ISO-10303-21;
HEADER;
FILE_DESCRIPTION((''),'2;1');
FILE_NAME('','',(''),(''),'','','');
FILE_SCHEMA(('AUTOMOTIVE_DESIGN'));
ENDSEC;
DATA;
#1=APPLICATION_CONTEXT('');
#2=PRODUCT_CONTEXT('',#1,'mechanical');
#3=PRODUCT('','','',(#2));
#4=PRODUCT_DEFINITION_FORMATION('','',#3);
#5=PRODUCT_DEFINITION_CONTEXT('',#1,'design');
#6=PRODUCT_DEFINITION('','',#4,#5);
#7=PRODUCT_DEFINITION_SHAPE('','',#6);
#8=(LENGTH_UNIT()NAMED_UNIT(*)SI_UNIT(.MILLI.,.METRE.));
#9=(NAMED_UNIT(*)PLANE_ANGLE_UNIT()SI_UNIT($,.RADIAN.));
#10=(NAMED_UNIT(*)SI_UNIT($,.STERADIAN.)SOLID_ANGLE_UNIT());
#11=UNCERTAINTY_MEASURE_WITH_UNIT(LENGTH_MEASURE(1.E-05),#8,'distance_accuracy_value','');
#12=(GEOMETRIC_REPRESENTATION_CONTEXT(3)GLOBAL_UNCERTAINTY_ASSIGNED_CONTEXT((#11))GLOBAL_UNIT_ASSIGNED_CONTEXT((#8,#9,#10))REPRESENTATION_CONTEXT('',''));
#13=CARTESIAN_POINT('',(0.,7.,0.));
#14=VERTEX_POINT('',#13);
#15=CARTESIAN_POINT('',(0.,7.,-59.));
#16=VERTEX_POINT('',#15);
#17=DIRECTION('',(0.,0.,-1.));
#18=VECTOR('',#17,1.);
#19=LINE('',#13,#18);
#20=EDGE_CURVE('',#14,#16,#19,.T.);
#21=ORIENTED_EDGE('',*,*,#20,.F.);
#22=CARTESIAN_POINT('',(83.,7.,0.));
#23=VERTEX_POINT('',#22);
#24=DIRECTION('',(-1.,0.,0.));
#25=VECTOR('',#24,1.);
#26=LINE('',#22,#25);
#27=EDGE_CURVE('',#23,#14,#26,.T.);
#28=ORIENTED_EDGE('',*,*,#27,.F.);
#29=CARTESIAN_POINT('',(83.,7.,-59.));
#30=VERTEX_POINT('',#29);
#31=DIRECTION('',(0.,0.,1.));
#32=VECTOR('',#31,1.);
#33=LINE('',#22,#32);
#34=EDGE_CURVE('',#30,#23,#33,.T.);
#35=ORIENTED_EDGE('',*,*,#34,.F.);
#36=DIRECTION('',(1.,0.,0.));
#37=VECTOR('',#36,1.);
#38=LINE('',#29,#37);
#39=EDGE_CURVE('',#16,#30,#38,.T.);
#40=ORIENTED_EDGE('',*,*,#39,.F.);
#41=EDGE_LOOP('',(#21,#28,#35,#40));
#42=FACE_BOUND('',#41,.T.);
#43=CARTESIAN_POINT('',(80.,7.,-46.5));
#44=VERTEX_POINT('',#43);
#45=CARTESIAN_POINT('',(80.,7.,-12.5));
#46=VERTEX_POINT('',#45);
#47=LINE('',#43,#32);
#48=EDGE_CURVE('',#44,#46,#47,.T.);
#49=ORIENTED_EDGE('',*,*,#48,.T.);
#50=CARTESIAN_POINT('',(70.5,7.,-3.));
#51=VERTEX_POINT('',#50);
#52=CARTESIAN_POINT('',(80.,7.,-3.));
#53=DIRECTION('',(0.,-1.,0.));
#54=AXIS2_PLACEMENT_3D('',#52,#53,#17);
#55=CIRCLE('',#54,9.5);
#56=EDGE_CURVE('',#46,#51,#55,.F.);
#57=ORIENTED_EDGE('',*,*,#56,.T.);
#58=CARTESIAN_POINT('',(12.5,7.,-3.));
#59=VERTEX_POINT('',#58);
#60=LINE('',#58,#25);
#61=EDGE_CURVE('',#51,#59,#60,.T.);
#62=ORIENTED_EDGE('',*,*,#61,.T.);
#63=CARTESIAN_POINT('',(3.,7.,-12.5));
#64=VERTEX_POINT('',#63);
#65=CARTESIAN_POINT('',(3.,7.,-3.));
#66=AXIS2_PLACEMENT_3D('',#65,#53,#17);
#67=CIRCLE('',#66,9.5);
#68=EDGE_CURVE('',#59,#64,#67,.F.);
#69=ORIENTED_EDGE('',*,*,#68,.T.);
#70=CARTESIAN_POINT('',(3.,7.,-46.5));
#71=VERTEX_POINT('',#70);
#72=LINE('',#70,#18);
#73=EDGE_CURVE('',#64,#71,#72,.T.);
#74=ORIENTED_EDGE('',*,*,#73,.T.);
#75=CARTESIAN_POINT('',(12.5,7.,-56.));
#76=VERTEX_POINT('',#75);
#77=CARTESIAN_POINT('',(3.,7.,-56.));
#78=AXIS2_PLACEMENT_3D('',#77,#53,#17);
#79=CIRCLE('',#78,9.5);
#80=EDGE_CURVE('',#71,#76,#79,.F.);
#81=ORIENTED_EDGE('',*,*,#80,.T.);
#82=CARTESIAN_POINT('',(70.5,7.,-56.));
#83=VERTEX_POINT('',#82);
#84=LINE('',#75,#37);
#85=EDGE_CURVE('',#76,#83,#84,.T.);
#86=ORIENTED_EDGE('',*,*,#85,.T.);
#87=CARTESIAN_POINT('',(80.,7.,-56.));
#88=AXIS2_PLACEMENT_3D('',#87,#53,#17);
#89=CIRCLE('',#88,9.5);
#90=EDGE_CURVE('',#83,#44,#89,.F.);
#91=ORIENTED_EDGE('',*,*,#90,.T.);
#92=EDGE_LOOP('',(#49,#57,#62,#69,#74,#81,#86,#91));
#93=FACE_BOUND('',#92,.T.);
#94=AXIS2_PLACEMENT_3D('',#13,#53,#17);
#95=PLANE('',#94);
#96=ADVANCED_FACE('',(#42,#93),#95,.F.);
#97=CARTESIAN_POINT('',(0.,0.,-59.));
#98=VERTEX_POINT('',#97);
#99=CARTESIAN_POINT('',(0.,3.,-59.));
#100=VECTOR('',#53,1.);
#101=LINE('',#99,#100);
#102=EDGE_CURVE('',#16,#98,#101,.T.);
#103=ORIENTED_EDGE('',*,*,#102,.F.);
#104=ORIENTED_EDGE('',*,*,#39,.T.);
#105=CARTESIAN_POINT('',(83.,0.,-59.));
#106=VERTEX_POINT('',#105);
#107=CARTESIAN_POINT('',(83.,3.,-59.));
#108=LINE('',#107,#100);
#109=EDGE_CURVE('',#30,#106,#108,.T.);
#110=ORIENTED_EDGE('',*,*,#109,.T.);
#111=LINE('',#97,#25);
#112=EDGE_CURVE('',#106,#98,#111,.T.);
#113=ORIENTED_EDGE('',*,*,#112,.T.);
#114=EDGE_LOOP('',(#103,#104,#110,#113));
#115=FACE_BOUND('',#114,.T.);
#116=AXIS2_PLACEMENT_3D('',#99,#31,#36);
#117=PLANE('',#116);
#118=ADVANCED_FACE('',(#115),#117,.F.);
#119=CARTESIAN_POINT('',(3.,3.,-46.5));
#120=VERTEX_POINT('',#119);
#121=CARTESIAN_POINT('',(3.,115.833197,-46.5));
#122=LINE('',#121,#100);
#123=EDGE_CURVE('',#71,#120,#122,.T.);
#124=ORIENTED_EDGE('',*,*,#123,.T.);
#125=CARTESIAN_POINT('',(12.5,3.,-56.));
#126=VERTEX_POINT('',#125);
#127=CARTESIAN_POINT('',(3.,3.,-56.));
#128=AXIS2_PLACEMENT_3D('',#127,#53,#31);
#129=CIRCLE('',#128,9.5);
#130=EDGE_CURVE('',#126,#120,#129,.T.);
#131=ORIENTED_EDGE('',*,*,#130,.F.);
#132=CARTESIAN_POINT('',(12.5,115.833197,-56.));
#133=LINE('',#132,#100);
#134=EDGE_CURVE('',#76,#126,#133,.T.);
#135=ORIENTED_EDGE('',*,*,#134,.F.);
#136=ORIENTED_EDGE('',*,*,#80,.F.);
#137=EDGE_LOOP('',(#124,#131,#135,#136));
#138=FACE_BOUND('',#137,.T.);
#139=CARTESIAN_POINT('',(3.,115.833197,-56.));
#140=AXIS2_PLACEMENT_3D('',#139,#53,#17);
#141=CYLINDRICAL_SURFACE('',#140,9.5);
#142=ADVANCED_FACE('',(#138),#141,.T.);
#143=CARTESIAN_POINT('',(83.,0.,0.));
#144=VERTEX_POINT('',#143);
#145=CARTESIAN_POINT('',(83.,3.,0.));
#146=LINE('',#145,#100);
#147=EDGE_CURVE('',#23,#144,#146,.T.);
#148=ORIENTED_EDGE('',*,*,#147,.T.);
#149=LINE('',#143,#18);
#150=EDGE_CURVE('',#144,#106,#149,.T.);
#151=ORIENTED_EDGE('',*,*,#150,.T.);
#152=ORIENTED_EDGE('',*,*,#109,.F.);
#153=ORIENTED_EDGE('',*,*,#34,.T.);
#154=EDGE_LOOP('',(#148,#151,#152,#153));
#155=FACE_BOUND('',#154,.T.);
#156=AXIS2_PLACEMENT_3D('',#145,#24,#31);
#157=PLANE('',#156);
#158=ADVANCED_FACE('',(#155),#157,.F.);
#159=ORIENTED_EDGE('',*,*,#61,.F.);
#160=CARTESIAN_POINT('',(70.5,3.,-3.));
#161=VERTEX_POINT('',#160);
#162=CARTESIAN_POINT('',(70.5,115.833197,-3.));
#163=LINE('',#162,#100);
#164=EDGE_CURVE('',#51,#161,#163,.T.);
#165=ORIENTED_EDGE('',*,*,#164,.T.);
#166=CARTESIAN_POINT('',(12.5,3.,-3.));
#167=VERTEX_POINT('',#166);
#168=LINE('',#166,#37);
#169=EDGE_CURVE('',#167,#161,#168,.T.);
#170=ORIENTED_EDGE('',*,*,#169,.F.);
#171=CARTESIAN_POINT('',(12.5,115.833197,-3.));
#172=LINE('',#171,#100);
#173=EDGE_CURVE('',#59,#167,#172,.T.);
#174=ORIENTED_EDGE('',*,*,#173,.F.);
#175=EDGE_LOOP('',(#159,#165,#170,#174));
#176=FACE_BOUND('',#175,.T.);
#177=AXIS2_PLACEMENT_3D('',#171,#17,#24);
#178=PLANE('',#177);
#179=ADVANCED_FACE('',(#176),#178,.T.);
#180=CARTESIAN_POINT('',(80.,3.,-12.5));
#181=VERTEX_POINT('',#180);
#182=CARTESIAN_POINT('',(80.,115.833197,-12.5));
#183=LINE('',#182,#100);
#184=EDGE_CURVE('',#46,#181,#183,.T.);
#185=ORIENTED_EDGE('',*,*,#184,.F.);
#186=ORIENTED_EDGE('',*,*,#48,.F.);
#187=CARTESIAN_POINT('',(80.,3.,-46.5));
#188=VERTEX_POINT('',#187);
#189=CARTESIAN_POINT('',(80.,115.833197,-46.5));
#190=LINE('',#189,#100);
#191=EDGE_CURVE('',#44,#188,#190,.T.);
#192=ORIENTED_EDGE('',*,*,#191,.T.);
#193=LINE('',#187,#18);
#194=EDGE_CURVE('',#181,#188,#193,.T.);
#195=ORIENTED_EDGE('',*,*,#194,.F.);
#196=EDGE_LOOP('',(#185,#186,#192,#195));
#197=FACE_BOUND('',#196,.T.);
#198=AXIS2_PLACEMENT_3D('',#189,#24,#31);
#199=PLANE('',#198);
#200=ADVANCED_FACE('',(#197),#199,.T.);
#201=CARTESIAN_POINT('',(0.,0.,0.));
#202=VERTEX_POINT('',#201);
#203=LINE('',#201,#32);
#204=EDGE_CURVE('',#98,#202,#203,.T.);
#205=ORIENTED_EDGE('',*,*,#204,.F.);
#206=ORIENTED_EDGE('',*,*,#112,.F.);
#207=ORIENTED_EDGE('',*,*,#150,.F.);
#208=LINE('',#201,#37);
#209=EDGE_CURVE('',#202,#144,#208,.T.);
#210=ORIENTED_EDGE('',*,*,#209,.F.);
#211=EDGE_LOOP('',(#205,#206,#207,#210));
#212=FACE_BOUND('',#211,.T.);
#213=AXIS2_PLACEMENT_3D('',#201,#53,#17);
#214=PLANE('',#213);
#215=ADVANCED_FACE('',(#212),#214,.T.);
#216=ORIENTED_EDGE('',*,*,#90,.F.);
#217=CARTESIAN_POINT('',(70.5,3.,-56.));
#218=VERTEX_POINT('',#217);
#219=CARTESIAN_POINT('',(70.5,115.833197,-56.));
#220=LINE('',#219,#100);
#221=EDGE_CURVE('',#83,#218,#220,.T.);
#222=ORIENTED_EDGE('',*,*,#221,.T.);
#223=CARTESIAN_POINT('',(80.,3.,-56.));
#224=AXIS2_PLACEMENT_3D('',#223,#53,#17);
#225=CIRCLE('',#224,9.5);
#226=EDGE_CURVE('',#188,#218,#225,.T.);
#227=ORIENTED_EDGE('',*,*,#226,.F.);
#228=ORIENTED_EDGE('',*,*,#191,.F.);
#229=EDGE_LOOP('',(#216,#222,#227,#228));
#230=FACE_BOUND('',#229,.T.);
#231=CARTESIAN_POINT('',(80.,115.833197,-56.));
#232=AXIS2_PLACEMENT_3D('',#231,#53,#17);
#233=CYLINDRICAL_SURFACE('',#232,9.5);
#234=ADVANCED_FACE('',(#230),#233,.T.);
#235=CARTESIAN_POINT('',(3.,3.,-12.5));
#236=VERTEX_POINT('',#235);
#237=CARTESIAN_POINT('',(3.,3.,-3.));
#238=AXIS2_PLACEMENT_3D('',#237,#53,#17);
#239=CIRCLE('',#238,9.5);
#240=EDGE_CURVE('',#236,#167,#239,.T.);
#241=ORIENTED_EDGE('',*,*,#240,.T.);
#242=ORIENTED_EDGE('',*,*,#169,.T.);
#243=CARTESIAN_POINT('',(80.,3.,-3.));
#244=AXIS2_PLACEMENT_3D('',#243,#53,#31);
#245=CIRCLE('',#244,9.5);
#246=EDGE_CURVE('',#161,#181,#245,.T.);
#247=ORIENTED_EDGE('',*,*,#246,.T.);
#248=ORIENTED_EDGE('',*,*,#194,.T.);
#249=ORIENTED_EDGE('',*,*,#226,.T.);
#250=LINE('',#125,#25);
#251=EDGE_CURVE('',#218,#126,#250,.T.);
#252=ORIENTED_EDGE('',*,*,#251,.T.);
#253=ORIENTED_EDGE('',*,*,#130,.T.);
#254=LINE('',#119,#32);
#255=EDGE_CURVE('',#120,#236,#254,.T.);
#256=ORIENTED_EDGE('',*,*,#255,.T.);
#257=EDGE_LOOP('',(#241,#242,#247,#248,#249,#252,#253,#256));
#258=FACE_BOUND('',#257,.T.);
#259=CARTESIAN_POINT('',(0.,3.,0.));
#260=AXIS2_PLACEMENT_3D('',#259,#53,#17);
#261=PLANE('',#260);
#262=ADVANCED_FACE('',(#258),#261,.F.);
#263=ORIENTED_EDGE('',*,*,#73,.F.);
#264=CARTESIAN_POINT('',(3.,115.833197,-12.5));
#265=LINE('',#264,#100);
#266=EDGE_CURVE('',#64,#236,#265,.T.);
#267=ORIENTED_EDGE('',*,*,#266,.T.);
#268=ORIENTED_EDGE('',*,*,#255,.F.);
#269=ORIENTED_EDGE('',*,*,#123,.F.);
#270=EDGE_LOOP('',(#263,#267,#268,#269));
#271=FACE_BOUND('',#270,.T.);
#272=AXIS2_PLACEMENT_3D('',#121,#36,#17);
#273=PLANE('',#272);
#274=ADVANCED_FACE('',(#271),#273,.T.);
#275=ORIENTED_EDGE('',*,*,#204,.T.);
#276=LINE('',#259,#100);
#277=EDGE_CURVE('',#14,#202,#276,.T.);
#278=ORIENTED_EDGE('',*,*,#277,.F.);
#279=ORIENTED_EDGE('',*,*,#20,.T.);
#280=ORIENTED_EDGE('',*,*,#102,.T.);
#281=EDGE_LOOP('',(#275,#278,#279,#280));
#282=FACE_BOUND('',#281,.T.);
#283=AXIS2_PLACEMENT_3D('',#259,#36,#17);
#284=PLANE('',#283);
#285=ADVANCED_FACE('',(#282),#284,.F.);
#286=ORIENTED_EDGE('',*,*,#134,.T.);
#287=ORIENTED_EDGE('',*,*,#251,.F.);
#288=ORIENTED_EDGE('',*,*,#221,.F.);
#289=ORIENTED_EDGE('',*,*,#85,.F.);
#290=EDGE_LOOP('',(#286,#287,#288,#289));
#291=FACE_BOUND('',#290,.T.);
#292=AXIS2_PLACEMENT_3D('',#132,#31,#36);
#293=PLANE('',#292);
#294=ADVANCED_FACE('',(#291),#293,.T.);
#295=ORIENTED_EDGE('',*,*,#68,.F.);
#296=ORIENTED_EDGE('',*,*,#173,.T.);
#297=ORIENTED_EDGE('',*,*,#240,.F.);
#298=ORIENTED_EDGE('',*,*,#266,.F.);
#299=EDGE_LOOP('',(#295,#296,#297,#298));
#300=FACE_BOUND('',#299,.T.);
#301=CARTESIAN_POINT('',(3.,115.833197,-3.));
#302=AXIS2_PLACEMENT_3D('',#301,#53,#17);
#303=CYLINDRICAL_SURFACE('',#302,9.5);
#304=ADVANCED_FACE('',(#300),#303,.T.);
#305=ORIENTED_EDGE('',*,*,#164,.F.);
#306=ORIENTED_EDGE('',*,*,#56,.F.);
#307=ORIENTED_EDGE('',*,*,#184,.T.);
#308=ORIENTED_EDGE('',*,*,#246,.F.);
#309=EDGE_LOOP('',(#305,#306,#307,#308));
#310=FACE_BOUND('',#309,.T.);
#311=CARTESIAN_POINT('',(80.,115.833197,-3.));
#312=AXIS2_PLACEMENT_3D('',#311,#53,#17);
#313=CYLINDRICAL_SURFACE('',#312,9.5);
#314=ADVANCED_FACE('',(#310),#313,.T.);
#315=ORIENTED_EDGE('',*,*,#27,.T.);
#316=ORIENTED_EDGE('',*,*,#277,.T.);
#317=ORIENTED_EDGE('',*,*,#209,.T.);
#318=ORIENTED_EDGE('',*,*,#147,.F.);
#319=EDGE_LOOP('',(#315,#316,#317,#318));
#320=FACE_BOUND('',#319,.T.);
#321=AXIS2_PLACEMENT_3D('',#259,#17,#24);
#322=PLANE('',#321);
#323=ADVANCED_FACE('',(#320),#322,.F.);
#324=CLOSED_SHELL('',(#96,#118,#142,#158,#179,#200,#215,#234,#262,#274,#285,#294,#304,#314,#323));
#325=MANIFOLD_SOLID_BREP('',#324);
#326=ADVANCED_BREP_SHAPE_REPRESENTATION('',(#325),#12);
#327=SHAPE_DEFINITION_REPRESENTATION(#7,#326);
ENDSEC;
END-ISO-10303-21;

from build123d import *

# Parameters (mm, degrees)
SKETCH1_W           = 83
SKETCH1_H           = 59
BOSS_EXTRUDE1_DEPTH = 3
SKETCH2_W           = 83
SKETCH2_H           = 59
BOSS_EXTRUDE2_DEPTH = 4


with BuildPart() as part:
    # Sketch1 → Boss-Extrude1 (new body)
    with BuildSketch(Plane(origin=(0, 0, 0), x_dir=(1, 0, 0), z_dir=(0, 1, 0))):
        with Locations((41.5, 29.5)):
            Rectangle(SKETCH1_W, SKETCH1_H)
    extrude(amount=BOSS_EXTRUDE1_DEPTH)

    # Sketch2 → Boss-Extrude2 (add)
    with BuildSketch(Plane(origin=(0, 3, 0), x_dir=(1, 0, 0), z_dir=(0, 1, 0))):
        with Locations((41.5, 29.5)):
            Rectangle(SKETCH2_W, SKETCH2_H)
        with BuildLine():
            Line((3, 46.5), (3, 12.5))
            ThreePointArc((3, 12.5), (9.717514421, 9.717514421), (12.5, 3))
            Line((12.5, 3), (70.5, 3))
            ThreePointArc((70.5, 3), (73.282485579, 9.717514421), (80, 12.5))
            Line((80, 12.5), (80, 46.5))
            ThreePointArc((80, 46.5), (73.282485579, 49.282485579), (70.5, 56))
            Line((70.5, 56), (12.5, 56))
            ThreePointArc((12.5, 56), (9.717514421, 49.282485579), (3, 46.5))
        make_face(mode=Mode.SUBTRACT)
    extrude(amount=BOSS_EXTRUDE2_DEPTH)


solid = part.part
